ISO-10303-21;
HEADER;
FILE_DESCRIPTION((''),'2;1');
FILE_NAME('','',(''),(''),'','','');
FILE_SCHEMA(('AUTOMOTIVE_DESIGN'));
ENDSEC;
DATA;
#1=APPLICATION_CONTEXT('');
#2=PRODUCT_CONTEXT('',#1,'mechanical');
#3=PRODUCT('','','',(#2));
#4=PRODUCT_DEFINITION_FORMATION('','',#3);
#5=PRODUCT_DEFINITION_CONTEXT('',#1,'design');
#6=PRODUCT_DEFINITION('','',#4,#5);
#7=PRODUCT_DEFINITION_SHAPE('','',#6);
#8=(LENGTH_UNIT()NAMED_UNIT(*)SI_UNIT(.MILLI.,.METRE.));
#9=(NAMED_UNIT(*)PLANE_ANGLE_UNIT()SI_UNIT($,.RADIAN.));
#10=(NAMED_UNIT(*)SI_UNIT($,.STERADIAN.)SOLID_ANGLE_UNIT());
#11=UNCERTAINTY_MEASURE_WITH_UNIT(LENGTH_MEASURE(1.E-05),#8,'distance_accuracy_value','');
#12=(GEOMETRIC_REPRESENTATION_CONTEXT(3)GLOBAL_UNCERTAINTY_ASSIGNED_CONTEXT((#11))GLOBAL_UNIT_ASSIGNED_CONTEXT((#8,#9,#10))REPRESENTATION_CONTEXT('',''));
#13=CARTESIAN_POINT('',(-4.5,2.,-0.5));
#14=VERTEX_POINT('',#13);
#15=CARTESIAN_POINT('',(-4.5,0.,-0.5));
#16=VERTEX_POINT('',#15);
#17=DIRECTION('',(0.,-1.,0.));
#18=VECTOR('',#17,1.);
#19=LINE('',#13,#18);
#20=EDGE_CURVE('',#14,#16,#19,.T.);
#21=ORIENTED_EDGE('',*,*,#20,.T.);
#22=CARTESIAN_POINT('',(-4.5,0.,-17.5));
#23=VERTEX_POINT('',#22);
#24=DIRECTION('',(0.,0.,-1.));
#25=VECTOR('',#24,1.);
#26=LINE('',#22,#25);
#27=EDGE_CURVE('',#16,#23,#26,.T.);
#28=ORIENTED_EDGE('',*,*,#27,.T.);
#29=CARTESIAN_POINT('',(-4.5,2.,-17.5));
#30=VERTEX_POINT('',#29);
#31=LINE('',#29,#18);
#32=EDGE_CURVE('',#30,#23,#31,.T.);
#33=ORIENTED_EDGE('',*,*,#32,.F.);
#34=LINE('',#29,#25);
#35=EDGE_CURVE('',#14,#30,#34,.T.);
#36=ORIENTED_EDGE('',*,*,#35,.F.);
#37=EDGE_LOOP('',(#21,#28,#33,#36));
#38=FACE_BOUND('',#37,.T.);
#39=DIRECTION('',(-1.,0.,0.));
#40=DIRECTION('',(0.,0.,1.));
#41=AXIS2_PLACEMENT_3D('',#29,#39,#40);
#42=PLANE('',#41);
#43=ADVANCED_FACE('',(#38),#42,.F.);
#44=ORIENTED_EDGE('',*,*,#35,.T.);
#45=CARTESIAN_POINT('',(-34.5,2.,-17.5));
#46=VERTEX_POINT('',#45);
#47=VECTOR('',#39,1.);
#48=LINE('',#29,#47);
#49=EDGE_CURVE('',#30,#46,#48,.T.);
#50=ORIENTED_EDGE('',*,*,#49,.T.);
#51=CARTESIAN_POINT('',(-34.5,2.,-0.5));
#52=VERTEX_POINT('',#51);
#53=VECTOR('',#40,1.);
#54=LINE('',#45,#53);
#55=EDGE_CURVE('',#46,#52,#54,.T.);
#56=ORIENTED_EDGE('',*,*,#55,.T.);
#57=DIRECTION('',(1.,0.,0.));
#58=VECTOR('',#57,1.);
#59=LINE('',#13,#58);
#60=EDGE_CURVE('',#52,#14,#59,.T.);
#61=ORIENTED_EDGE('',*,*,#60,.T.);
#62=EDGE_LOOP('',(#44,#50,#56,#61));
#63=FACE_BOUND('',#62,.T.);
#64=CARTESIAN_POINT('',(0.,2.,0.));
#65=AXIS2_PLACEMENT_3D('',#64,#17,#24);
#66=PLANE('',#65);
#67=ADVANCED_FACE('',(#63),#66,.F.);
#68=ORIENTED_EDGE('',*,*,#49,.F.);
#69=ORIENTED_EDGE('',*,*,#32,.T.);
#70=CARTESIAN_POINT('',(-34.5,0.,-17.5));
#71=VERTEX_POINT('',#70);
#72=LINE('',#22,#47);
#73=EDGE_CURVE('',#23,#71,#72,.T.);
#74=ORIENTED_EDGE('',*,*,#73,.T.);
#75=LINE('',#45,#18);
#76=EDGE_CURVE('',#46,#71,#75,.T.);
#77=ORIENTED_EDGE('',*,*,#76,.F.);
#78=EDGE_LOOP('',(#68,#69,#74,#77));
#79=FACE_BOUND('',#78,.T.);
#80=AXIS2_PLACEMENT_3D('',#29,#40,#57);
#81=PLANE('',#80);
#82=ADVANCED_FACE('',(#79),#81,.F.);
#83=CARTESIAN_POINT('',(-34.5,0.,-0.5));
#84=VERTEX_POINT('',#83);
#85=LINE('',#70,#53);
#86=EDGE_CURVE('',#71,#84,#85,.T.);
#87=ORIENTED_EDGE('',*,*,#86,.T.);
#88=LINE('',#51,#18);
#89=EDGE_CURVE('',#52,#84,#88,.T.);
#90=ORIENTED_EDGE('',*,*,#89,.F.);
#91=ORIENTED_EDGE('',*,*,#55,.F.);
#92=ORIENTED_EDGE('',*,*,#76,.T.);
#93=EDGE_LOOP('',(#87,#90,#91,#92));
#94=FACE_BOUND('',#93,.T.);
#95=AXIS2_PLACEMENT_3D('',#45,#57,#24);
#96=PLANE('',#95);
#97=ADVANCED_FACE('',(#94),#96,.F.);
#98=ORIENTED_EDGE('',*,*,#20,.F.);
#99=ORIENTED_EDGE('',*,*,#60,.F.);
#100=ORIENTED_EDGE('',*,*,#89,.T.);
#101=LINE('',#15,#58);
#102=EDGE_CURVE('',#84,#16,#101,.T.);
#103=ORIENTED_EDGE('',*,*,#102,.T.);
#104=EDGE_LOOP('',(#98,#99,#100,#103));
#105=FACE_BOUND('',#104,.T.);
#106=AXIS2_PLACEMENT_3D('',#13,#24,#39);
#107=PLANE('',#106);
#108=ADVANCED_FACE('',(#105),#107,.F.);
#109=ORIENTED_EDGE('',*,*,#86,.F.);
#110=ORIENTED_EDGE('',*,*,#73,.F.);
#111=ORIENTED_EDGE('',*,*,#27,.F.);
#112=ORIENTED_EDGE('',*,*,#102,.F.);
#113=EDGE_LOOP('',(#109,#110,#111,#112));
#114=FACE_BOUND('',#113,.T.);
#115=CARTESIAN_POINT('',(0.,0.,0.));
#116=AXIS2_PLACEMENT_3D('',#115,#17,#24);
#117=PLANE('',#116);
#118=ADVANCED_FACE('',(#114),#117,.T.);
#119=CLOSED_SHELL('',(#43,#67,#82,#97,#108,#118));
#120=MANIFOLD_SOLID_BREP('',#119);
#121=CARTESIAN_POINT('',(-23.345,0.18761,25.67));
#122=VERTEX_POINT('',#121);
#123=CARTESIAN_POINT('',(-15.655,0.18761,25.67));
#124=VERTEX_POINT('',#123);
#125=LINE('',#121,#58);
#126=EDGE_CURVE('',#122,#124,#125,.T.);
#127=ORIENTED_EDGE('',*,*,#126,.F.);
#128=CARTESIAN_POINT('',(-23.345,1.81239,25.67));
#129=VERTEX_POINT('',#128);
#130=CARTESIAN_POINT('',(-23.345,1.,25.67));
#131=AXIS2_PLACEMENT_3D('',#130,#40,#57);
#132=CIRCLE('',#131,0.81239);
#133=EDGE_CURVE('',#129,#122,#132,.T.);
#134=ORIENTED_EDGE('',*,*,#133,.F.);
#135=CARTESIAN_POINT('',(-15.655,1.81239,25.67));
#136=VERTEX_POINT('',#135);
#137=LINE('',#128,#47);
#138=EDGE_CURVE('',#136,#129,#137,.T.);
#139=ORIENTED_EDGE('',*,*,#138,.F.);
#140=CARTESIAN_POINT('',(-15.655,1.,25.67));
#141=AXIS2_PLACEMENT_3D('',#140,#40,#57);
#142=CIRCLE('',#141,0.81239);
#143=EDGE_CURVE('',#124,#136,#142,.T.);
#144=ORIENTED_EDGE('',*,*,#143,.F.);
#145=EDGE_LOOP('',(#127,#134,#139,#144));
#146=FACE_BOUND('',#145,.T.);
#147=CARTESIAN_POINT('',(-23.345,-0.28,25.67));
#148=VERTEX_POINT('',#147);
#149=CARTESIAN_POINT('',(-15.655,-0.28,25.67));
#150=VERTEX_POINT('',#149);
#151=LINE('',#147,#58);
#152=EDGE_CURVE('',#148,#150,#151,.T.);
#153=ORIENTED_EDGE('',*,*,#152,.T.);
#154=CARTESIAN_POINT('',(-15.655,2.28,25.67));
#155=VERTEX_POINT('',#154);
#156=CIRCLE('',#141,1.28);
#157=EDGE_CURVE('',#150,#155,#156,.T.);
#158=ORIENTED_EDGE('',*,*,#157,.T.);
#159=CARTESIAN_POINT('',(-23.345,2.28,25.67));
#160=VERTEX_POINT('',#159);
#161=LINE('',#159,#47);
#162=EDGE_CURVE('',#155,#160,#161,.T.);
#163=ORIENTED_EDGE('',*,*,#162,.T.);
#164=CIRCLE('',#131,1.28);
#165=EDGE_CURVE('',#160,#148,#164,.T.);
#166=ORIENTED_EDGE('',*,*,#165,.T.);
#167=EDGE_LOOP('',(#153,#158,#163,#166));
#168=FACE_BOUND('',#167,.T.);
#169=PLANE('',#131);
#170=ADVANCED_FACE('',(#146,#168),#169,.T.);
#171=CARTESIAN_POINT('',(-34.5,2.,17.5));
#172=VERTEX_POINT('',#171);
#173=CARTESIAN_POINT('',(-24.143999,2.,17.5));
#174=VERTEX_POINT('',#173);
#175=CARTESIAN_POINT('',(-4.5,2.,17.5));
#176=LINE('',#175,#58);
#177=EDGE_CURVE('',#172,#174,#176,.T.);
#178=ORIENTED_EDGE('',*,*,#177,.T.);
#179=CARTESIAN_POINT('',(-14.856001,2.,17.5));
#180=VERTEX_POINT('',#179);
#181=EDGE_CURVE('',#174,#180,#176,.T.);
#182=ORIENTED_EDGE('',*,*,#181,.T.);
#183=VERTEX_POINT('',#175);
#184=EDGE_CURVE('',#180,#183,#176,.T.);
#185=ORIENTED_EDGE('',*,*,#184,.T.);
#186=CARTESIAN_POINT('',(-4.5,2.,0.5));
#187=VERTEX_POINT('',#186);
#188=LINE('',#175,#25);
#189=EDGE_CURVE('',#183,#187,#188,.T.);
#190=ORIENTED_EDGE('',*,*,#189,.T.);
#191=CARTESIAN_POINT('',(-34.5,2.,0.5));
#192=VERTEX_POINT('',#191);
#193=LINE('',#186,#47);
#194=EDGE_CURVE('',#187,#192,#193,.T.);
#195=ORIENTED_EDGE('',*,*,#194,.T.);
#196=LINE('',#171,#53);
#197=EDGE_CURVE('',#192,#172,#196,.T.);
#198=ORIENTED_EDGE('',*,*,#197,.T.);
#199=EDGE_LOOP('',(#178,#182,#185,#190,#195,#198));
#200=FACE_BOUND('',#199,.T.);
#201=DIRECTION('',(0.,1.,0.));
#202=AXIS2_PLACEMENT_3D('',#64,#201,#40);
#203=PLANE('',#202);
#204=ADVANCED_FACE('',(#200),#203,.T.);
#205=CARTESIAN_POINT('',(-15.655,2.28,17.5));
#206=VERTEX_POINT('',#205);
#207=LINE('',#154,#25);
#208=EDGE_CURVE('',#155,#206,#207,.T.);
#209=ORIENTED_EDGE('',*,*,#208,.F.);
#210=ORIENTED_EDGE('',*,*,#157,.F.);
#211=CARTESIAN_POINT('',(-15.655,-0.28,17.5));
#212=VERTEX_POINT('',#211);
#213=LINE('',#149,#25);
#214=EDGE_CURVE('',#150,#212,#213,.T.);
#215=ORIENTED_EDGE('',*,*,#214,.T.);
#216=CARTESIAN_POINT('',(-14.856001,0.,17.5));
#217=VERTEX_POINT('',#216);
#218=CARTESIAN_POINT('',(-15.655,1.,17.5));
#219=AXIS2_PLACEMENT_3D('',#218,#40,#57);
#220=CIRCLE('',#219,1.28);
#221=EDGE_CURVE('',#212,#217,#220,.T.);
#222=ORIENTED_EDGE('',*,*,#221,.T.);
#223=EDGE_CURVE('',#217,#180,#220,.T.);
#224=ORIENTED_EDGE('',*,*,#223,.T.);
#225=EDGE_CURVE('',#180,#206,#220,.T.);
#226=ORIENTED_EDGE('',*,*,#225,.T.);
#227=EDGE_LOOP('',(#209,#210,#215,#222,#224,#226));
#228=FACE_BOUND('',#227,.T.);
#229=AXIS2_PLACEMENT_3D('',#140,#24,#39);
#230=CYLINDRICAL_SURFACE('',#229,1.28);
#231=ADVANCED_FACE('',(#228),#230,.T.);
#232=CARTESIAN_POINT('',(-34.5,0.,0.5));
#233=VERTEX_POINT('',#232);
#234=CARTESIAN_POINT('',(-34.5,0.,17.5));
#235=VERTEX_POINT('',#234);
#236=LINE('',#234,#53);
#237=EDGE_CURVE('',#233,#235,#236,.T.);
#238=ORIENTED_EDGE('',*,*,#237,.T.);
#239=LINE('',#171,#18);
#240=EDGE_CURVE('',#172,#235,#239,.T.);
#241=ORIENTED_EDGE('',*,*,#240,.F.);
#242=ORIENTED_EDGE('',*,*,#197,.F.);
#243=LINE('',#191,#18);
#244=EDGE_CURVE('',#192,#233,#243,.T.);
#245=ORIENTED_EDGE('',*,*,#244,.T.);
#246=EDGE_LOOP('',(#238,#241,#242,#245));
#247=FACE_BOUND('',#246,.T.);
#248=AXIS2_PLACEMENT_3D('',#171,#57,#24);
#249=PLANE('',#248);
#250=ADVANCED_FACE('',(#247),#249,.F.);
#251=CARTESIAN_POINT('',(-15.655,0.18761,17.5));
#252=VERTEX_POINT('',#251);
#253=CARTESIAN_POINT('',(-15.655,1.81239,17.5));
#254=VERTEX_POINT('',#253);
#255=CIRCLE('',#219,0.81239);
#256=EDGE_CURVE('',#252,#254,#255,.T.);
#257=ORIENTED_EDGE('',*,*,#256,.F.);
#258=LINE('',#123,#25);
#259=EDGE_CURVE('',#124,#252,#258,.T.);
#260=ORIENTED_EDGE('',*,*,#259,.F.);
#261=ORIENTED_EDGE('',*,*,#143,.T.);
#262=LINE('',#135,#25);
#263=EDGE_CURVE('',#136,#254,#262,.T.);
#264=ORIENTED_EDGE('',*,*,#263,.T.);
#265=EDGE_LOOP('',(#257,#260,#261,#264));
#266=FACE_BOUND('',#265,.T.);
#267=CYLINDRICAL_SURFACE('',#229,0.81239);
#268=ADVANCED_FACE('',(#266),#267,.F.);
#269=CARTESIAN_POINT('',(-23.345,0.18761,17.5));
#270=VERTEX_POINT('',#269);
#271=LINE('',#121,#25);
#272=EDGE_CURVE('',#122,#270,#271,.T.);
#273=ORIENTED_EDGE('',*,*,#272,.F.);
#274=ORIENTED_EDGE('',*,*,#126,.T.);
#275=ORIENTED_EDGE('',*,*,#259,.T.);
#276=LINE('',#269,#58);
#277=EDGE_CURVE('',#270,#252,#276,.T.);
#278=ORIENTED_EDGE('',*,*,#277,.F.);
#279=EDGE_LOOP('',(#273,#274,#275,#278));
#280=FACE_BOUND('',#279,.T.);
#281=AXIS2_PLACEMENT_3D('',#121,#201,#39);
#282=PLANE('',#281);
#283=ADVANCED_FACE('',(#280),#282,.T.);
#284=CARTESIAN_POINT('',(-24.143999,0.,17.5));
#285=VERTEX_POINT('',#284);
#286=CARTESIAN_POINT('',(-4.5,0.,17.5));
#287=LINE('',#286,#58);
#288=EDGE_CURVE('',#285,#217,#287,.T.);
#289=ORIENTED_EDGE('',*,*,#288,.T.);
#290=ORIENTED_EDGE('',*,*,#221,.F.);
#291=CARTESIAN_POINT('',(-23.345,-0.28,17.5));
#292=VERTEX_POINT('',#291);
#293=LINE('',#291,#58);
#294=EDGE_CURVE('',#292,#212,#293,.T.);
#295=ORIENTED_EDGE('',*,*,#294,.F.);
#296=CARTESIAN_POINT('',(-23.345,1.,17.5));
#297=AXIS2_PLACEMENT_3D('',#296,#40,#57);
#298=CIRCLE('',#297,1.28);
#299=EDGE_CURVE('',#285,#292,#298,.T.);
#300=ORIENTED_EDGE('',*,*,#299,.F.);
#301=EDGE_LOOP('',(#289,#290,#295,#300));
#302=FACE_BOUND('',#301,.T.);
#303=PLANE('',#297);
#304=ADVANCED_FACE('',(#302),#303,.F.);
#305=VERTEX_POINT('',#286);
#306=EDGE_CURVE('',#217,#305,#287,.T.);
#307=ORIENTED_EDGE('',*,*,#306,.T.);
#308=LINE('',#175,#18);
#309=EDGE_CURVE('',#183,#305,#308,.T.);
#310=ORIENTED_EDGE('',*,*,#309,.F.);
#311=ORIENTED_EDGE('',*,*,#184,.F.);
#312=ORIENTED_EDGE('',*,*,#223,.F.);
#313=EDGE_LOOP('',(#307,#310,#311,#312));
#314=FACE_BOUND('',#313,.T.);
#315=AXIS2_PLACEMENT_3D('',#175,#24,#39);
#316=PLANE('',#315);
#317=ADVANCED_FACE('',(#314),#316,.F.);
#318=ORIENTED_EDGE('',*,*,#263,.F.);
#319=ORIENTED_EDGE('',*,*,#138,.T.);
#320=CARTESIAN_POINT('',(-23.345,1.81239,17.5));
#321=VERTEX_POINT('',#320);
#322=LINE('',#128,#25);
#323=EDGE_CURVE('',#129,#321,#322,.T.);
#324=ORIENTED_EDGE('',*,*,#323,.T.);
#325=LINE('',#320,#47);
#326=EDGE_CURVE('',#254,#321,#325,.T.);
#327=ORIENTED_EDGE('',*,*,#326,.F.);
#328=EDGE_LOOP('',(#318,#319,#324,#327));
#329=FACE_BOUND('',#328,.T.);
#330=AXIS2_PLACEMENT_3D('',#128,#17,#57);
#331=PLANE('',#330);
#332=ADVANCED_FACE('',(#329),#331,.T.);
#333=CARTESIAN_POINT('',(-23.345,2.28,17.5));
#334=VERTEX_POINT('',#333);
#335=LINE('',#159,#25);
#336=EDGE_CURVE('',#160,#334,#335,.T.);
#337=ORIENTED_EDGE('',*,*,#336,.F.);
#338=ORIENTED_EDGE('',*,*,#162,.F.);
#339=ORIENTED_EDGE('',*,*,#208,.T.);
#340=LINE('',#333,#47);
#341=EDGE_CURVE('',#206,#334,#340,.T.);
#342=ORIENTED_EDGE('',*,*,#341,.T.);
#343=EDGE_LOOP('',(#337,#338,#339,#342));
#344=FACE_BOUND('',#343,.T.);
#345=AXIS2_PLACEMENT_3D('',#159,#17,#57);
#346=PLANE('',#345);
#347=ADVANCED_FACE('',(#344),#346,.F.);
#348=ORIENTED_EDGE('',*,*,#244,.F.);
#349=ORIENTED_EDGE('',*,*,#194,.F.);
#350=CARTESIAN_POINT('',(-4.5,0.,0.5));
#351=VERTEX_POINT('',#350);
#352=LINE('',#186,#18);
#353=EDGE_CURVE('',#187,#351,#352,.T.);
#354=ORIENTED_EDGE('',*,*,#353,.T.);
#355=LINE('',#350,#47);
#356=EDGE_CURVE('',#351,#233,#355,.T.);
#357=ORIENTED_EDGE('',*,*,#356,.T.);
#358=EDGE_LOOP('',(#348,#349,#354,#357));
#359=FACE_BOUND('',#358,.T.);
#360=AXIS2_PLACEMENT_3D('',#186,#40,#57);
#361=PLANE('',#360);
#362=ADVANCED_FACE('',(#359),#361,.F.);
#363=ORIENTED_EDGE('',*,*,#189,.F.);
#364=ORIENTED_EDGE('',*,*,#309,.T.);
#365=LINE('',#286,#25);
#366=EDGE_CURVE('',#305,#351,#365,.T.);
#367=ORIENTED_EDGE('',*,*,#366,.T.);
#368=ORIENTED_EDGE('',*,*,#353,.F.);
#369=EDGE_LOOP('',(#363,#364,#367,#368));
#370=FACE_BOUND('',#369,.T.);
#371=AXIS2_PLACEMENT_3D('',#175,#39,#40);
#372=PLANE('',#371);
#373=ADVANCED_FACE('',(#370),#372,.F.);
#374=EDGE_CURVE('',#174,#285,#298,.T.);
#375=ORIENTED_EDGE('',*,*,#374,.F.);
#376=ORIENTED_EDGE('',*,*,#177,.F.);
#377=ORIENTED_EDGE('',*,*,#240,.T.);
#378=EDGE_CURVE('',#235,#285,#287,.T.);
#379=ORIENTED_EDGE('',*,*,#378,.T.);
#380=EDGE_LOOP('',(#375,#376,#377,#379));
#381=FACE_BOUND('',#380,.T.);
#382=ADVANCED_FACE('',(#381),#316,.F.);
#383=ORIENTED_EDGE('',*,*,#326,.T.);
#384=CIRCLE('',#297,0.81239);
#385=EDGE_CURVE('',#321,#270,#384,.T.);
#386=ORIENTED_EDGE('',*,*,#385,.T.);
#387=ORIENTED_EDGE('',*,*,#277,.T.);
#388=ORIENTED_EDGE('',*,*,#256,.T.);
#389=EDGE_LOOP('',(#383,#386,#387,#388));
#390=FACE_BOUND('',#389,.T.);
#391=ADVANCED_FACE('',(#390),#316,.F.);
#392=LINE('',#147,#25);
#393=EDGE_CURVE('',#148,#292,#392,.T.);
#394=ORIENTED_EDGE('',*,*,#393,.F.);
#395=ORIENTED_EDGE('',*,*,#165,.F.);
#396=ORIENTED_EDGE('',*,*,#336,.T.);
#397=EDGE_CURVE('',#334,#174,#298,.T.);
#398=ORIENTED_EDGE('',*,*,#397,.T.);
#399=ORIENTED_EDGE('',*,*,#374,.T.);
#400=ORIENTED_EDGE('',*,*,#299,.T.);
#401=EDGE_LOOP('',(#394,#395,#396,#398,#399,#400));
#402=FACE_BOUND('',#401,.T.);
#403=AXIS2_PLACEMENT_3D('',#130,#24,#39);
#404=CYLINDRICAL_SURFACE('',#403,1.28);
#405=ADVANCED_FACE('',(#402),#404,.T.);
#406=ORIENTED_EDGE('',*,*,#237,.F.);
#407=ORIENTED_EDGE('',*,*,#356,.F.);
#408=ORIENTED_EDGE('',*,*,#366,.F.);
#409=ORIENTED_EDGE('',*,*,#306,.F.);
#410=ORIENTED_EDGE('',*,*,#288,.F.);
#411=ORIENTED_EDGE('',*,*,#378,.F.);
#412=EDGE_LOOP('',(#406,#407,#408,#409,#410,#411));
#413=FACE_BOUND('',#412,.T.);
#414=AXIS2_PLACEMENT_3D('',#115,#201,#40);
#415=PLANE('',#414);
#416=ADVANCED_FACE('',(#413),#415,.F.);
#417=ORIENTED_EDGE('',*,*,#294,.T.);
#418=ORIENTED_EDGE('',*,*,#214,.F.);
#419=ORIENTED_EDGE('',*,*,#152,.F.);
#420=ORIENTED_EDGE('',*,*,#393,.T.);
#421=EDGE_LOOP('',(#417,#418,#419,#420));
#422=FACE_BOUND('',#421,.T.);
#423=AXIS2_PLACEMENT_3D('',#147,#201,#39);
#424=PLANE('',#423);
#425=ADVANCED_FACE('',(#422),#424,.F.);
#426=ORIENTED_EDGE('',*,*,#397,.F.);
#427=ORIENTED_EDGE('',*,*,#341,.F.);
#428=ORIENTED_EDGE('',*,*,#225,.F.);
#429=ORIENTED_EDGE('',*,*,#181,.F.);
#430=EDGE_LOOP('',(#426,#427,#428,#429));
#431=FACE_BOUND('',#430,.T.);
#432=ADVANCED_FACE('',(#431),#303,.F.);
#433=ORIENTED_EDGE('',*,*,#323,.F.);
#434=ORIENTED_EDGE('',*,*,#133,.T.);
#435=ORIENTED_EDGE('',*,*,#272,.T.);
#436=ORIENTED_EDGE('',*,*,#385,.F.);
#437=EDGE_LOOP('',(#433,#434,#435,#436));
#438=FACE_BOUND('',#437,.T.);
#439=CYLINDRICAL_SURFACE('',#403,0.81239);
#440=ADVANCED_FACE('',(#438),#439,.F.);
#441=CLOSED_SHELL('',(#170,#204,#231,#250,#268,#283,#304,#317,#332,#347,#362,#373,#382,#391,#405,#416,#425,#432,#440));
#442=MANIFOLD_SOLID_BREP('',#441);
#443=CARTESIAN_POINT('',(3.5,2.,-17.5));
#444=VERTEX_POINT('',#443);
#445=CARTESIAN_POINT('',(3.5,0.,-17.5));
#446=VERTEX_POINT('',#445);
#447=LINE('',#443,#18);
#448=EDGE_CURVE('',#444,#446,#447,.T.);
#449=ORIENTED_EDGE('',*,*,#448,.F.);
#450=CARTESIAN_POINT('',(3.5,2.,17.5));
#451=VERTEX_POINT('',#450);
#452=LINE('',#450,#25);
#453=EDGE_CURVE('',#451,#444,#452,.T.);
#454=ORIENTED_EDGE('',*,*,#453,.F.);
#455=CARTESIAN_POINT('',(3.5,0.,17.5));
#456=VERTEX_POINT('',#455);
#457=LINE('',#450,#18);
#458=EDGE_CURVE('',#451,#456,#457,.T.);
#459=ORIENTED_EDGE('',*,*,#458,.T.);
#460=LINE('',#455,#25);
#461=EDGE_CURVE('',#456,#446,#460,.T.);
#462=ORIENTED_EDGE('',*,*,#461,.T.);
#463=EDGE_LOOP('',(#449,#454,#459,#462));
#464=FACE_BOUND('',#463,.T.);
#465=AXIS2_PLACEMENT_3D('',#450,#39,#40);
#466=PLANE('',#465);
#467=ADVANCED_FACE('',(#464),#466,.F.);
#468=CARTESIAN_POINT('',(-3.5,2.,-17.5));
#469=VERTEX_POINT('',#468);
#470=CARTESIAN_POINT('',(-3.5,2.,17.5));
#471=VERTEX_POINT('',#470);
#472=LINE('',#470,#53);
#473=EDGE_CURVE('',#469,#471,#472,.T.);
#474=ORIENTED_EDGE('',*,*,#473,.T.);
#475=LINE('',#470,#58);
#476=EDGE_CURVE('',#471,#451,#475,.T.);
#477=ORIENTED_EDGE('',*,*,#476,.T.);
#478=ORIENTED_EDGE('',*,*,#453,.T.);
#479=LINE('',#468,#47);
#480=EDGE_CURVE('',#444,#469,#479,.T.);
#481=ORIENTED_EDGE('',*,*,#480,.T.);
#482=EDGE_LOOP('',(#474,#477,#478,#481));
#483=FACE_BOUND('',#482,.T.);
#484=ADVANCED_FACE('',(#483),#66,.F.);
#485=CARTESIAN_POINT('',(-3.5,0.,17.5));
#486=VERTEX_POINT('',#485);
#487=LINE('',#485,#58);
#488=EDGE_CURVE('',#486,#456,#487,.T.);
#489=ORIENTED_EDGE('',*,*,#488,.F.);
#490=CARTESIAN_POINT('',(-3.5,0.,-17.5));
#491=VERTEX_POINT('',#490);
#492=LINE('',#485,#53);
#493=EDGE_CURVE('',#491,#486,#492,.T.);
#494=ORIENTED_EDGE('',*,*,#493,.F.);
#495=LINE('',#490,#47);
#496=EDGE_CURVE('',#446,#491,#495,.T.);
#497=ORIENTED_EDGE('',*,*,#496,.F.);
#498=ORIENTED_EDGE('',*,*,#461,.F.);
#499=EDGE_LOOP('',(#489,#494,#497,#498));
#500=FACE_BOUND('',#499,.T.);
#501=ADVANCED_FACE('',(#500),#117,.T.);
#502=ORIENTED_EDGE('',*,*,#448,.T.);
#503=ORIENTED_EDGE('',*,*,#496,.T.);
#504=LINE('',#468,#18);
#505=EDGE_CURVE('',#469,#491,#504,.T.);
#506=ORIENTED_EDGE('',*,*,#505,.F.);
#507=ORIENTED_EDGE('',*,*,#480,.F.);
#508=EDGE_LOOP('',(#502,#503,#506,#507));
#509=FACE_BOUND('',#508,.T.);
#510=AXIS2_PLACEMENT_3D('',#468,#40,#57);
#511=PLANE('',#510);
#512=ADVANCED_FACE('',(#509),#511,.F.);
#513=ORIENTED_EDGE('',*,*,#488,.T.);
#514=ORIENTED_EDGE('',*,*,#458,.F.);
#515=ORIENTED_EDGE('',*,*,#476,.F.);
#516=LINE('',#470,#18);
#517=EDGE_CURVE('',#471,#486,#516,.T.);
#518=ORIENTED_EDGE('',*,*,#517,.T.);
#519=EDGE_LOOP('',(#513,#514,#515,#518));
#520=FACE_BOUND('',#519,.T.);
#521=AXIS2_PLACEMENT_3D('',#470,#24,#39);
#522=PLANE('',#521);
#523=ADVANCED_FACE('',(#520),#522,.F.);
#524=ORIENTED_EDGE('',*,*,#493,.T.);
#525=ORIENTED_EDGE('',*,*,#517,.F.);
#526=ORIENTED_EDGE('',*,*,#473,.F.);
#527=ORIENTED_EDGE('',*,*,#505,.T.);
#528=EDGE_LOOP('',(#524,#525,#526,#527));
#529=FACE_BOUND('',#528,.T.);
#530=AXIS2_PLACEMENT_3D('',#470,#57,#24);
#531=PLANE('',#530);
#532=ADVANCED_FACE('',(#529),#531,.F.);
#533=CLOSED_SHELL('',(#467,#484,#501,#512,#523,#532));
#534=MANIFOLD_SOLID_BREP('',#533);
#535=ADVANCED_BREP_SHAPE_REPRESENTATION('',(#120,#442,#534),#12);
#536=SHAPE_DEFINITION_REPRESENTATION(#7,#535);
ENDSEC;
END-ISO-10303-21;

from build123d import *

# Parameters (mm, degrees)
SKETCH1_W               = 7
SKETCH1_H               = 35
CIRCUIT_DEPTH           = 2
SKETCH1_W_2             = 30
SKETCH1_H_2             = 17
CIRCUIT_2_DEPTH         = 2
CIRCUIT_3_DEPTH         = 2
USB_C_PORT_FEMALE_DEPTH = 8.17


with BuildPart() as part:
    # Sketch1 → Circuit (new body)
    with BuildSketch(Plane(origin=(0, 0, 0), x_dir=(1, 0, 0), z_dir=(0, 1, 0))):
        Rectangle(SKETCH1_W, SKETCH1_H)
    extrude(amount=CIRCUIT_DEPTH)


with BuildPart() as body_2:
    # Sketch1 → Circuit 2 (new body)
    with BuildSketch(Plane(origin=(0, 0, 0), x_dir=(1, 0, 0), z_dir=(0, 1, 0))):
        with Locations((-19.5, 9)):
            Rectangle(SKETCH1_W_2, SKETCH1_H_2)
    extrude(amount=CIRCUIT_2_DEPTH)


with BuildPart() as body_3:
    # Sketch1 → Circuit 3 (new body)
    with BuildSketch(Plane(origin=(0, 0, 0), x_dir=(1, 0, 0), z_dir=(0, 1, 0))):
        with Locations((-19.5, -9)):
            Rectangle(SKETCH1_W_2, SKETCH1_H_2)
    extrude(amount=CIRCUIT_3_DEPTH)

    # Sketch2 → USB-C Port Female (add)
    with BuildSketch(Plane.XY.offset(17.5)):
        with BuildLine():
            Line((-23.345, 2.28), (-15.655, 2.28))
            ThreePointArc((-15.655, 2.28), (-14.375, 1), (-15.655, -0.28))
            Line((-15.655, -0.28), (-23.345, -0.28))
            ThreePointArc((-23.345, -0.28), (-24.625, 1), (-23.345, 2.28))
        make_face()
        with BuildLine():
            Line((-23.345, 1.81239), (-15.655, 1.81239))
            ThreePointArc((-15.655, 1.81239), (-14.84261, 1), (-15.655, 0.18761))
            Line((-15.655, 0.18761), (-23.345, 0.18761))
            ThreePointArc((-23.345, 0.18761), (-24.15739, 1), (-23.345, 1.81239))
        make_face(mode=Mode.SUBTRACT)
    extrude(amount=USB_C_PORT_FEMALE_DEPTH)


solid = Compound([part.part, body_2.part, body_3.part])
